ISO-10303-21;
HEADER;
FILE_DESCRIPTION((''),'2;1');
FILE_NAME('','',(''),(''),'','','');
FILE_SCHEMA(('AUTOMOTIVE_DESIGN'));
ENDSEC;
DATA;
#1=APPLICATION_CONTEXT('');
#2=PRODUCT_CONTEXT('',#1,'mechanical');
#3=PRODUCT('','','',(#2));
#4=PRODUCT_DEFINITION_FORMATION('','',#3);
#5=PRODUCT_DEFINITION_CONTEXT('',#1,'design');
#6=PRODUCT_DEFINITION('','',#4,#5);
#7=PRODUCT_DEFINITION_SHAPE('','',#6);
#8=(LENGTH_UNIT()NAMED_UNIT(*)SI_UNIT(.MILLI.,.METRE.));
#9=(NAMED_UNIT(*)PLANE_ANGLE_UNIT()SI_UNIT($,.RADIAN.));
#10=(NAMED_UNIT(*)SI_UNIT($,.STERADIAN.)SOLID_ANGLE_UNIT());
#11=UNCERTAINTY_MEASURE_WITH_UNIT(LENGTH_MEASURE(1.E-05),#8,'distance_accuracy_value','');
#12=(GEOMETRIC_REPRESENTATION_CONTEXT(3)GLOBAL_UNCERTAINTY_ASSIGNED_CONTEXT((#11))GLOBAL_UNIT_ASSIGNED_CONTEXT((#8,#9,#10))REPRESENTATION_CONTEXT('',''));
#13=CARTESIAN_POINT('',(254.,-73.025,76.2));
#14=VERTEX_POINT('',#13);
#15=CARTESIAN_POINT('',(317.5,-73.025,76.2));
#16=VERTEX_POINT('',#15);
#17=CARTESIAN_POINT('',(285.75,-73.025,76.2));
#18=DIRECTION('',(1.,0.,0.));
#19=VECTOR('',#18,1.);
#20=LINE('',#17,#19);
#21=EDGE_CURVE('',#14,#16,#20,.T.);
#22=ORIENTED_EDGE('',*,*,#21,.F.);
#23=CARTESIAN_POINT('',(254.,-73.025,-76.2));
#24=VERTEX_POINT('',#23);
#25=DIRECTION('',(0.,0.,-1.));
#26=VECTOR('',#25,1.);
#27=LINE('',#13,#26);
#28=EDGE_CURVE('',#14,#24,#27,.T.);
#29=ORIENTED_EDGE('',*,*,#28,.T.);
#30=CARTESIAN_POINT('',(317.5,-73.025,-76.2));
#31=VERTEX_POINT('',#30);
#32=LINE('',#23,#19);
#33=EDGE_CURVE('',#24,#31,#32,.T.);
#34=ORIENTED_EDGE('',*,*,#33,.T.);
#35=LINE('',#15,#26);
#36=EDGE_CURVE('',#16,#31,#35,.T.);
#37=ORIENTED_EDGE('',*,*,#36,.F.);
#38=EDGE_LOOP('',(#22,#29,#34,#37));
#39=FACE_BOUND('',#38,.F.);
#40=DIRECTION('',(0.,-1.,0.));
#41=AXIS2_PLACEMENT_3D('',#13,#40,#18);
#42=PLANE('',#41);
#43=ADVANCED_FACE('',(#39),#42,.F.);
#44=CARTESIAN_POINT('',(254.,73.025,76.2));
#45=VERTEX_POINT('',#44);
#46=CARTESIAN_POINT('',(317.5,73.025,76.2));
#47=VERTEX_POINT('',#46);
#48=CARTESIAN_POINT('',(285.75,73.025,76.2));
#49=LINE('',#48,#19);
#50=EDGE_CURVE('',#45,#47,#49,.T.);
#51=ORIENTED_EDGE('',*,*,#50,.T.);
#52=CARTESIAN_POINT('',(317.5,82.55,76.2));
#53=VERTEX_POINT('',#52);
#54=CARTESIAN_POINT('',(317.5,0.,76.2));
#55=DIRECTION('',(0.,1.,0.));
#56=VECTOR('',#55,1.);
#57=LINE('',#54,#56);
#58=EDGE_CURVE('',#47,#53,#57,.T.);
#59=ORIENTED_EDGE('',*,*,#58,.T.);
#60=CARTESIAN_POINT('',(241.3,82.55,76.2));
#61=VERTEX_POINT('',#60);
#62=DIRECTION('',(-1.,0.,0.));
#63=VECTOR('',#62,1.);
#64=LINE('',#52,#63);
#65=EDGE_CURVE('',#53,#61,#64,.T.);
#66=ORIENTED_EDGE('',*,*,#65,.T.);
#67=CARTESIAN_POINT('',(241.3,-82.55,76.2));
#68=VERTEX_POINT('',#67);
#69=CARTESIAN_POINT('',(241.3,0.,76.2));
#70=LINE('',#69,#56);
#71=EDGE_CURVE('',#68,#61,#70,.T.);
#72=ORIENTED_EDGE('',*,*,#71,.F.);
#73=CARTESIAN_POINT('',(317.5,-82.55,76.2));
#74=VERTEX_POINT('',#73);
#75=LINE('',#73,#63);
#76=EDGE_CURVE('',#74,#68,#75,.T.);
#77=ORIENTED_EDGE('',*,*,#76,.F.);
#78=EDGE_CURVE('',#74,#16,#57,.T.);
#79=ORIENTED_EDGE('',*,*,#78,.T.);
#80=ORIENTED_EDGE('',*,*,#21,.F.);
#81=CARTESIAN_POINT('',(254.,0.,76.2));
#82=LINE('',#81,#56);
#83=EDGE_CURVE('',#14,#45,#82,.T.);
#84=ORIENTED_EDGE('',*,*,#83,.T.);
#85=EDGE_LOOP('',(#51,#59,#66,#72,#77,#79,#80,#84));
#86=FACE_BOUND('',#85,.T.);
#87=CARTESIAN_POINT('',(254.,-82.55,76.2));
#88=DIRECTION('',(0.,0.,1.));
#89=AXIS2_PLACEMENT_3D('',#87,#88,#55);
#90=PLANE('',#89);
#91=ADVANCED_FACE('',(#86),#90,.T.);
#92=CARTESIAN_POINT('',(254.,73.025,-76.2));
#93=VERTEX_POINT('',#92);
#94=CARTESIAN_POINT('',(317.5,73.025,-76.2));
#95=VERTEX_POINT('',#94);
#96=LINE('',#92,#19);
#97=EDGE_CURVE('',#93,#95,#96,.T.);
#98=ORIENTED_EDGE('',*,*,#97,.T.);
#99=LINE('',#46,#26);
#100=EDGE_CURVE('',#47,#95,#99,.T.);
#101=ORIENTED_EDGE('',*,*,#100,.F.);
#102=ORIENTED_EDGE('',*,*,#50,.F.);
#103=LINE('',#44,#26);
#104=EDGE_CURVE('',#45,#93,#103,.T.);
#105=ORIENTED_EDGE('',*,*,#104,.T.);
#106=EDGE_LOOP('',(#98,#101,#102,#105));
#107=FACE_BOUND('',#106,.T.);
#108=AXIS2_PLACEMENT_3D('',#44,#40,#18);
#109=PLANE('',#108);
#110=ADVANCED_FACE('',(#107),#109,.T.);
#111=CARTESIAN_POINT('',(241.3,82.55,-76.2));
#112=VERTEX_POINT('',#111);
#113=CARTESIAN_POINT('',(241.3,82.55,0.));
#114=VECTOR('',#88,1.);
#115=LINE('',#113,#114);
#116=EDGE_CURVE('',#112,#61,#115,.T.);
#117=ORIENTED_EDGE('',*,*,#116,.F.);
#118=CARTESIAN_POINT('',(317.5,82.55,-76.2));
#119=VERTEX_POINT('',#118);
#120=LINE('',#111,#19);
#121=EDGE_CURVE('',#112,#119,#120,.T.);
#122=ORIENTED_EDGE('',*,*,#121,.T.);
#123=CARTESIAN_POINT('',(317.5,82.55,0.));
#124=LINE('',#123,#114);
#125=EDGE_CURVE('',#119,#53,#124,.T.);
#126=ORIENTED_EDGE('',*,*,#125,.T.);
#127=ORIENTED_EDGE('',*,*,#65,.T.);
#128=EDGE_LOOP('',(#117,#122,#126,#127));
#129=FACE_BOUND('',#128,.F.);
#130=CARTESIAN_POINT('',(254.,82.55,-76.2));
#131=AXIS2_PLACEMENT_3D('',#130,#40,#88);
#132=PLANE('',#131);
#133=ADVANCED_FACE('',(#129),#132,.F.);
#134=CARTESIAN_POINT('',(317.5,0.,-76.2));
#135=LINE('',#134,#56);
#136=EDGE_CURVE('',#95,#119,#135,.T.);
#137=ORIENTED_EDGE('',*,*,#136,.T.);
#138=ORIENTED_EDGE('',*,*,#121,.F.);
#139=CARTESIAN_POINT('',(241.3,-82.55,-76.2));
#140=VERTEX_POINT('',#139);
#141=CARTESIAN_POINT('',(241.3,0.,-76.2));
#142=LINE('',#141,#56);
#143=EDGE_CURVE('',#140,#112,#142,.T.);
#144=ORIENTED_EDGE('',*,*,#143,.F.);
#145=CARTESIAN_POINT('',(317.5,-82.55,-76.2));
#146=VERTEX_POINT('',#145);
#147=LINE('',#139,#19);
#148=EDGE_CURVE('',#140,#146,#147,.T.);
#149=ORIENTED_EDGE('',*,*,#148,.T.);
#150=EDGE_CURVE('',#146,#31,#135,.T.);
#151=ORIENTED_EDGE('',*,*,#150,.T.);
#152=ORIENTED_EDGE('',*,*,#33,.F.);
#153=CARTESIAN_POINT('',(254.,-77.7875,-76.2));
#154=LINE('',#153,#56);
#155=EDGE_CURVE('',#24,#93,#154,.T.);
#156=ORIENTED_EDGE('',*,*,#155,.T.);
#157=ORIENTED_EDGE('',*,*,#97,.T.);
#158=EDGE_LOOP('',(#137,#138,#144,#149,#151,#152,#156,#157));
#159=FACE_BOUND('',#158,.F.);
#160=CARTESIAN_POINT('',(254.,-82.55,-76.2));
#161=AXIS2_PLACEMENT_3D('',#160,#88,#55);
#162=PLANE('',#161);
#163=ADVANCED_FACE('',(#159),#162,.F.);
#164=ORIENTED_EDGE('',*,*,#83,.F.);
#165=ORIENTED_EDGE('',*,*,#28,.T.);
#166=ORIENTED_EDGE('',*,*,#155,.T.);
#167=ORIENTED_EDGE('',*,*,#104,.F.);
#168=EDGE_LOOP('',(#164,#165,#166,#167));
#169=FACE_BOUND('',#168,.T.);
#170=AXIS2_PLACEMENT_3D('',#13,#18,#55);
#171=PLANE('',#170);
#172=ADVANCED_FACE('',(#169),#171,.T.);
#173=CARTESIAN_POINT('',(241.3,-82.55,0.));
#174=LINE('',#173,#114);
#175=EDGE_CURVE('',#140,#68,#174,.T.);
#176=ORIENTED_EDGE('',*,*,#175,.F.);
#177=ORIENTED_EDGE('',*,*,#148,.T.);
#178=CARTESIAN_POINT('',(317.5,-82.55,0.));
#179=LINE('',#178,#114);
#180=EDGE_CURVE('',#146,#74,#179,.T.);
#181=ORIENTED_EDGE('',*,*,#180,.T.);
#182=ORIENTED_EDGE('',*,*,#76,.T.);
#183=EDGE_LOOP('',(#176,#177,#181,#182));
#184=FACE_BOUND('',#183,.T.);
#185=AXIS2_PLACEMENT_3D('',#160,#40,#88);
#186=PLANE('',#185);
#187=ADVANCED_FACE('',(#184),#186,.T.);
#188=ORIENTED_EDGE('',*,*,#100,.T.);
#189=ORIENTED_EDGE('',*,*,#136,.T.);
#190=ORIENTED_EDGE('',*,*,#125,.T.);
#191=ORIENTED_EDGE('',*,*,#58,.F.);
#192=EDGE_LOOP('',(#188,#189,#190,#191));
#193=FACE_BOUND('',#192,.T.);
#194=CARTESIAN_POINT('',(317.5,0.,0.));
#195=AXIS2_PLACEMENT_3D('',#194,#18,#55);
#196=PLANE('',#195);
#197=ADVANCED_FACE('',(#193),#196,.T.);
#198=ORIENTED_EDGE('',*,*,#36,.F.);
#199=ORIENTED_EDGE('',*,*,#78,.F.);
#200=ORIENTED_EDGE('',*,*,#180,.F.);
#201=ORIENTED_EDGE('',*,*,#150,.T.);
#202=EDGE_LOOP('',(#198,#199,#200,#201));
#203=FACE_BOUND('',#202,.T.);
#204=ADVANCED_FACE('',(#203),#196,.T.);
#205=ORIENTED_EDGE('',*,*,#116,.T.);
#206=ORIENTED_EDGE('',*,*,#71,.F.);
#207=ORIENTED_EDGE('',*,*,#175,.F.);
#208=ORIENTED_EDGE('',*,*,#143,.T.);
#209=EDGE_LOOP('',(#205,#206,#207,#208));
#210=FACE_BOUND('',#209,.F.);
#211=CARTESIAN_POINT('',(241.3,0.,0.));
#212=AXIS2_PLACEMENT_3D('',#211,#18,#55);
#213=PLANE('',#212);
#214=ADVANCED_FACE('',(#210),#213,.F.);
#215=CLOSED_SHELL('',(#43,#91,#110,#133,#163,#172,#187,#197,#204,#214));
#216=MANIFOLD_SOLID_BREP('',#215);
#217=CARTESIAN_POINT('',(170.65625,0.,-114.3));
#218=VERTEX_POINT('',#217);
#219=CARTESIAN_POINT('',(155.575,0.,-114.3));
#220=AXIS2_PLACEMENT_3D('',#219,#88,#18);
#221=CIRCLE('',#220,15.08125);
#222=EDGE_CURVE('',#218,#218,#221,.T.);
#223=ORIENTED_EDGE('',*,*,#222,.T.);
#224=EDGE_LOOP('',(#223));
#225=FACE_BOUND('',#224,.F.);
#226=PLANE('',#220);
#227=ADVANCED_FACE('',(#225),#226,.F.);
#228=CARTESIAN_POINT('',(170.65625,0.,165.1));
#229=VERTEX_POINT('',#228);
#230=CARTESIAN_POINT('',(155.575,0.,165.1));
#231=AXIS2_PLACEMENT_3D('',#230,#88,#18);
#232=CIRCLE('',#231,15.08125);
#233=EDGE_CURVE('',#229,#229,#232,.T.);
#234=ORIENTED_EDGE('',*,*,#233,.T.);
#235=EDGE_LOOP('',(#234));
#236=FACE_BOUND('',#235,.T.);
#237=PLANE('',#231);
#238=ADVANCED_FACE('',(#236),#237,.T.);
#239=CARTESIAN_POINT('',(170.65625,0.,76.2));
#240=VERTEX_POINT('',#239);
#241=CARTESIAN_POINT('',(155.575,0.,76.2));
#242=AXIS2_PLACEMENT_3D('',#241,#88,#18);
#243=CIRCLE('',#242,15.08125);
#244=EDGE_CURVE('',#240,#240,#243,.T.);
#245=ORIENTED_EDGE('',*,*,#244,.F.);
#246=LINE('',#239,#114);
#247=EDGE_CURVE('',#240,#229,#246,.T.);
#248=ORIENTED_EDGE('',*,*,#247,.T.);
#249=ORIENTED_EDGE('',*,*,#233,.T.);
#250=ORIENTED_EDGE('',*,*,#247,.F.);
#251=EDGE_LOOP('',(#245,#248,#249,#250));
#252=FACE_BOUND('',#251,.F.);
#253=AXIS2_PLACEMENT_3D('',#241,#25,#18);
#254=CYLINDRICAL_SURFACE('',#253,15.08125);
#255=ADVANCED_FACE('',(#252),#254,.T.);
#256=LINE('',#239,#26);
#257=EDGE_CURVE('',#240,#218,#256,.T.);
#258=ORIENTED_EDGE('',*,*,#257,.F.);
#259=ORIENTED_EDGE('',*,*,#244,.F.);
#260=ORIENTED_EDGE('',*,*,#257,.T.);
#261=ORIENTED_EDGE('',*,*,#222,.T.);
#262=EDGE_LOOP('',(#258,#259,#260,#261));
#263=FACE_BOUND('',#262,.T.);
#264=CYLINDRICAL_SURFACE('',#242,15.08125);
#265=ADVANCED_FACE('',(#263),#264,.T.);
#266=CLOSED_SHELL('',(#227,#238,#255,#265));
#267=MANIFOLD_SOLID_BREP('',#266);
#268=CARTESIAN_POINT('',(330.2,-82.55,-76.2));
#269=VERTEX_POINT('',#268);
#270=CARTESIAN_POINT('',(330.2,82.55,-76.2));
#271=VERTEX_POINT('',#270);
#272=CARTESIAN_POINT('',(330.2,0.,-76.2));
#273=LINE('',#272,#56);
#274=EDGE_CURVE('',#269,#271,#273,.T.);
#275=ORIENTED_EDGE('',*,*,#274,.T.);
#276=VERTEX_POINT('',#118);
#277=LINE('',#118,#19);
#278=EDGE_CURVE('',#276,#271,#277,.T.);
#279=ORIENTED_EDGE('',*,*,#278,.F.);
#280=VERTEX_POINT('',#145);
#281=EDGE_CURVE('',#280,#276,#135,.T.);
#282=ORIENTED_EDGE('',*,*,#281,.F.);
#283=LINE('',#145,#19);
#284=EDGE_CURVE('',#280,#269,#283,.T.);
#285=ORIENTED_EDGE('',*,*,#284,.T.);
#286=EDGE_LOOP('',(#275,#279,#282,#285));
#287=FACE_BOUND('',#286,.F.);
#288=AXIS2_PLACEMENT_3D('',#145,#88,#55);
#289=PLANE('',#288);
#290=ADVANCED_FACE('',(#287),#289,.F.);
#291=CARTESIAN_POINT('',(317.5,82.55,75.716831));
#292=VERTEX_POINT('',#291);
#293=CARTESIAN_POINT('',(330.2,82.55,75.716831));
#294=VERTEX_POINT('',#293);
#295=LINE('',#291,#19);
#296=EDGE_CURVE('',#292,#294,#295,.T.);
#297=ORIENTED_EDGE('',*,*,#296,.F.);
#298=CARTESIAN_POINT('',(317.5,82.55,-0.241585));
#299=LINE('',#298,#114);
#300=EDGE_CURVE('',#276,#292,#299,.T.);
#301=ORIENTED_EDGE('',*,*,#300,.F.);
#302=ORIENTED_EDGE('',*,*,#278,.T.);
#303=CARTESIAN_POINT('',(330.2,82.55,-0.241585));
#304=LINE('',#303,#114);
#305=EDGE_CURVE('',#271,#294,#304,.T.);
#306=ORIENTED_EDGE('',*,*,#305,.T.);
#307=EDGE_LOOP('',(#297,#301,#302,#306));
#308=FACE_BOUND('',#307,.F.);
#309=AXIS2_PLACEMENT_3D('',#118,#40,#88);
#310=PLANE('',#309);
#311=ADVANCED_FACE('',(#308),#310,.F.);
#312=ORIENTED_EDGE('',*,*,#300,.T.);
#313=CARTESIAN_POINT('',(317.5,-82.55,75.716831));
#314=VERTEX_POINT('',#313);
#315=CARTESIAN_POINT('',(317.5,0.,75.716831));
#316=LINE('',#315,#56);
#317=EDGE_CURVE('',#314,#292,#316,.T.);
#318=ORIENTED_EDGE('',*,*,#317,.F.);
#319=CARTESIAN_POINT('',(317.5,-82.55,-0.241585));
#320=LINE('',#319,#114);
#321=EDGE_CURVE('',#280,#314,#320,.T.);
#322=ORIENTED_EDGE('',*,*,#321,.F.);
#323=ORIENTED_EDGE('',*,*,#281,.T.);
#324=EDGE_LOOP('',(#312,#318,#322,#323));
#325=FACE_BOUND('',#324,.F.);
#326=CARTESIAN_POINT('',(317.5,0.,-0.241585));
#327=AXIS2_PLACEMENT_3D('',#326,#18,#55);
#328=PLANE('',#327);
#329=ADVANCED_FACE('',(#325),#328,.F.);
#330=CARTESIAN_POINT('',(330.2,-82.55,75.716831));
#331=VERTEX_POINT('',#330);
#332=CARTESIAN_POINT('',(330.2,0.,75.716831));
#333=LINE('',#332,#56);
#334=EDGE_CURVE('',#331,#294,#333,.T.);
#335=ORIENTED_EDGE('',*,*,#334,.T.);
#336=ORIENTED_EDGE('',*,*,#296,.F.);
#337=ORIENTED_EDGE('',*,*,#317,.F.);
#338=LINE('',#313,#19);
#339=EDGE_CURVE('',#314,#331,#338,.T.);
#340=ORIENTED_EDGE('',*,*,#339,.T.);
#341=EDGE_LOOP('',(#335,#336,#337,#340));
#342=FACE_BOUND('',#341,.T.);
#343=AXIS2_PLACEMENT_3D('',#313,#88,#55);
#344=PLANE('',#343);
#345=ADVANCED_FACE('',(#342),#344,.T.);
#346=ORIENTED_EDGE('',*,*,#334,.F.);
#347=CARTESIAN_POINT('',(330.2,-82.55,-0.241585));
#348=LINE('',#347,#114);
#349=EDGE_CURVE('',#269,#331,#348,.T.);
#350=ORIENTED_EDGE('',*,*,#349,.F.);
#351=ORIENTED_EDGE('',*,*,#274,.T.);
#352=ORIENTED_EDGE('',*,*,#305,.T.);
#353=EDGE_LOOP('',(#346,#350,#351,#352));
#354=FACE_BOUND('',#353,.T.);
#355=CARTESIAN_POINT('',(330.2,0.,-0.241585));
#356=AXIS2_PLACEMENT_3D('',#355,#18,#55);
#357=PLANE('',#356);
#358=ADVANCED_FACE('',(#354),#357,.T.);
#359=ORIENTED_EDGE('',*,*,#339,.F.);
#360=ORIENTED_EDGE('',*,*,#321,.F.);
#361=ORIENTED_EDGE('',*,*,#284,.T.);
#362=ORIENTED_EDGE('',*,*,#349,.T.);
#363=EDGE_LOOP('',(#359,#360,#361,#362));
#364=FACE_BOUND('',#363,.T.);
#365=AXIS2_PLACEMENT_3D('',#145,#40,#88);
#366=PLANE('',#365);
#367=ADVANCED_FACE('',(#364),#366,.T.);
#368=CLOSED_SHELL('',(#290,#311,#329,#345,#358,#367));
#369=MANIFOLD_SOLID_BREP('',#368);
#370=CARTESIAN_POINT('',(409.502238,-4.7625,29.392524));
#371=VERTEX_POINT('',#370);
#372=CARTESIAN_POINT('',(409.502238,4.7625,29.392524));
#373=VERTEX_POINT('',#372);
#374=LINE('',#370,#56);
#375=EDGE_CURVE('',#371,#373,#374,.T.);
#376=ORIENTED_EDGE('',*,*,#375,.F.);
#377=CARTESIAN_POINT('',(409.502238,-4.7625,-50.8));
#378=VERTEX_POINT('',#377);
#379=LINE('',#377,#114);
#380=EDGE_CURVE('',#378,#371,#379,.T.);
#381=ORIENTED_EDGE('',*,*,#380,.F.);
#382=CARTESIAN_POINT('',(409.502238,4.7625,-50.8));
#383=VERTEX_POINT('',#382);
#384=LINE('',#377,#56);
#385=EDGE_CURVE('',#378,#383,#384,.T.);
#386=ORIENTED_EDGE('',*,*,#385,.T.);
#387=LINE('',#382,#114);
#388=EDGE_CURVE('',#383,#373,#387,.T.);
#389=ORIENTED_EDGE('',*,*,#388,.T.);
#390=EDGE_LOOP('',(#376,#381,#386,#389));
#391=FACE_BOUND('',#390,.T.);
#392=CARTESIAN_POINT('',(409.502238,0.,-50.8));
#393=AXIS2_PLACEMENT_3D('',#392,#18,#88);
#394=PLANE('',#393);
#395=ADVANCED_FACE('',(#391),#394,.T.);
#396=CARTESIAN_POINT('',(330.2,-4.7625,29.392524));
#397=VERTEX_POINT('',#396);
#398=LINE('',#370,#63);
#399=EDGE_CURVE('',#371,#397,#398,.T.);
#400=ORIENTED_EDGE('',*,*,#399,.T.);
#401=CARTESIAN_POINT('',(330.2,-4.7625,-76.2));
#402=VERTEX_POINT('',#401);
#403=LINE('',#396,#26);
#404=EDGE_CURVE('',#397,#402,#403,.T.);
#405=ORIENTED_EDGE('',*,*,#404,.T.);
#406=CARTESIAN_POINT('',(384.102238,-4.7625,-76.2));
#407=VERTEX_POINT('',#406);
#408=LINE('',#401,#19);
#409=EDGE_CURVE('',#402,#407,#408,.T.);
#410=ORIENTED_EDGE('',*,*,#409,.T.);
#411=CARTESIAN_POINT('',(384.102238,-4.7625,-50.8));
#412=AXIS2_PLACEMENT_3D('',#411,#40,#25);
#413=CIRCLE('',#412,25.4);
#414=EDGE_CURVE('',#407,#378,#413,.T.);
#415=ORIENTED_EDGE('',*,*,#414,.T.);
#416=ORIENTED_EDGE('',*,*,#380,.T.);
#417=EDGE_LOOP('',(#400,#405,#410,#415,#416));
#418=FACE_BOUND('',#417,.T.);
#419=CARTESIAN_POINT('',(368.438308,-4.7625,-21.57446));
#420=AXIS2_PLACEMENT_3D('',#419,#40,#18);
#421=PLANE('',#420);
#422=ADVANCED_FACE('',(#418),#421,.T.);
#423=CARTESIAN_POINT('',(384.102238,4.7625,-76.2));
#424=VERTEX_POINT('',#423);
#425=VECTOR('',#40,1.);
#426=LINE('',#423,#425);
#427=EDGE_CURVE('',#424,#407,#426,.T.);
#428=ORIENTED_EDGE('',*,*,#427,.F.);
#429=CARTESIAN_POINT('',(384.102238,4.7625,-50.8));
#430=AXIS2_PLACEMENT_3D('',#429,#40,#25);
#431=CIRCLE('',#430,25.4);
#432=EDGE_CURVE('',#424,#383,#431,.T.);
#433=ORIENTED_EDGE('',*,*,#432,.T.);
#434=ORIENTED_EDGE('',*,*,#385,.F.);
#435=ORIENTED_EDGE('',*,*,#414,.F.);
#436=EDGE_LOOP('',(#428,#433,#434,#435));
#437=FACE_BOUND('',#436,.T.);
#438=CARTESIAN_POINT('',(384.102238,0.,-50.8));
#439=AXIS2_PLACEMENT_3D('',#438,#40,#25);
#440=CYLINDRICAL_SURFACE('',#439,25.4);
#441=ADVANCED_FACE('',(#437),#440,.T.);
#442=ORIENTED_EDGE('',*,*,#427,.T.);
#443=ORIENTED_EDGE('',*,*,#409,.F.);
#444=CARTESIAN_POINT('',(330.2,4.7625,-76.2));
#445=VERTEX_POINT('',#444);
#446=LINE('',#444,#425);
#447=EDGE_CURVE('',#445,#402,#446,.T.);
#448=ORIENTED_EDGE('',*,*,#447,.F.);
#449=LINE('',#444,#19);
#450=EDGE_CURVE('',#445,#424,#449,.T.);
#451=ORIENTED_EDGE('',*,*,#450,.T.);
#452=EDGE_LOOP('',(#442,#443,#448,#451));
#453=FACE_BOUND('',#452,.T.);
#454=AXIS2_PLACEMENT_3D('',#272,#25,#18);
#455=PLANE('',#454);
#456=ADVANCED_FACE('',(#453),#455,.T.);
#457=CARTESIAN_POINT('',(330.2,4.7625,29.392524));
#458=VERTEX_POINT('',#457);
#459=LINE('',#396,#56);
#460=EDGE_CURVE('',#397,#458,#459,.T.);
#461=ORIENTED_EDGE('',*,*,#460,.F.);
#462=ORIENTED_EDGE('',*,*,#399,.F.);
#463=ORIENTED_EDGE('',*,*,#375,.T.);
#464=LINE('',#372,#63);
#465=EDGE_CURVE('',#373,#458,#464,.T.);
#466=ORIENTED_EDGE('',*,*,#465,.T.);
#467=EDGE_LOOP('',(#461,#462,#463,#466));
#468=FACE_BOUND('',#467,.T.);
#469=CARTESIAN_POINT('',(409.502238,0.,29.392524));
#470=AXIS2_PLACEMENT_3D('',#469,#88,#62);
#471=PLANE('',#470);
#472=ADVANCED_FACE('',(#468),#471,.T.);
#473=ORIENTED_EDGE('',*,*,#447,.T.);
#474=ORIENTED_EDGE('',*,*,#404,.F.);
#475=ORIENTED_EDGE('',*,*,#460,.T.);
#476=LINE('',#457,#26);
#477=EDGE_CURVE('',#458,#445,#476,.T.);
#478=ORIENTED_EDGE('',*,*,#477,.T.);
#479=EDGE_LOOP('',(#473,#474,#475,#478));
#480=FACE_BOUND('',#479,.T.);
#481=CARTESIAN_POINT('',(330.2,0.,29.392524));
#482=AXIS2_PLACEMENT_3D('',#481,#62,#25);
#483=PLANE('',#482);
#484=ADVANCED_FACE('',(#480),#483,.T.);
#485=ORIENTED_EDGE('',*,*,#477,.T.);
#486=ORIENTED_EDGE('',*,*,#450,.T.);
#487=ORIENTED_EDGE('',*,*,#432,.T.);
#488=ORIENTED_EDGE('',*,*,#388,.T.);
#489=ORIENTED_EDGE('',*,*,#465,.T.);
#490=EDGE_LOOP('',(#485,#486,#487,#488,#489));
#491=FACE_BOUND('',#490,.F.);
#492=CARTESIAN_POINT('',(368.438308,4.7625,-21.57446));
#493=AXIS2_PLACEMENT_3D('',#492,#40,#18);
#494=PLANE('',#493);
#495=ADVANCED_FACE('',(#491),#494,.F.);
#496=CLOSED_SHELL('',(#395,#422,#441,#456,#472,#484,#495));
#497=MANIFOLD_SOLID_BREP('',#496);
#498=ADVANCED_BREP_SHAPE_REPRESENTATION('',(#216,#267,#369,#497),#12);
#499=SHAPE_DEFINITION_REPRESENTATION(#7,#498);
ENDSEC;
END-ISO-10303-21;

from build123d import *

# Parameters (mm, degrees)
F1_W           = 165.1
F1_H           = 152.4
F2_DEPTH       = 12.7
F2_DEPTH_BACK  = 63.5
F3_R           = 15.08125
F4_DEPTH       = 190.5
F4_DEPTH_BACK  = 88.9
F5_W           = 63.5
F5_H           = 146.05
F6_DEPTH       = 190.501
F7_W           = 165.1
F7_H           = 151.91683079
F8_DEPTH       = 12.7
F10_DEPTH      = 4.7625
F10_DEPTH_BACK = 4.7625


with BuildPart() as f2:
    # F1 (on offset) → F2 (new body, two sides)
    with BuildSketch(Plane.YZ.offset(254)) as f2_sk:
        Rectangle(F1_W, F1_H)
    extrude(amount=-F2_DEPTH)
    extrude(f2_sk.sketch, amount=F2_DEPTH_BACK)

    # F5 (on face) → F6 (cut, through all)
    with BuildSketch(Plane.XY.offset(76.2)):
        with Locations((285.75, 0)):
            Rectangle(F5_W, F5_H)
    extrude(amount=-F6_DEPTH, mode=Mode.SUBTRACT)


with BuildPart() as f4:
    # F3 (on face) → F4 (new body, two sides)
    with BuildSketch(Plane.XY.offset(76.2)) as f4_sk:
        with Locations((155.575, 0)):
            Circle(F3_R)
    extrude(amount=-F4_DEPTH)
    extrude(f4_sk.sketch, amount=F4_DEPTH_BACK)


with BuildPart() as f8:
    # F7 (on face) → F8 (new body)
    with BuildSketch(Plane.YZ.offset(317.5)):
        with Locations((0, -0.241584605)):
            Rectangle(F7_W, F7_H)
    extrude(amount=F8_DEPTH)


with BuildPart() as f10:
    # F9 (on Front) → F10 (new body, two sides)
    with BuildSketch(Plane.XZ) as f10_sk:
        with BuildLine():
            Line((330.2, 29.3925244), (330.2, -76.2))
            Line((330.2, -76.2), (384.1022377459, -76.2))
            ThreePointArc((384.1022377459, -76.2), (402.0627499881, -68.7605122421), (409.5022377459, -50.8))
            Line((409.5022377459, -50.8), (409.5022377459, 29.3925244))
            Line((409.5022377459, 29.3925244), (330.2, 29.3925244))
        make_face()
    extrude(amount=F10_DEPTH)
    extrude(f10_sk.sketch, amount=-F10_DEPTH_BACK)


solid = Compound([f2.part, f4.part, f8.part, f10.part])
